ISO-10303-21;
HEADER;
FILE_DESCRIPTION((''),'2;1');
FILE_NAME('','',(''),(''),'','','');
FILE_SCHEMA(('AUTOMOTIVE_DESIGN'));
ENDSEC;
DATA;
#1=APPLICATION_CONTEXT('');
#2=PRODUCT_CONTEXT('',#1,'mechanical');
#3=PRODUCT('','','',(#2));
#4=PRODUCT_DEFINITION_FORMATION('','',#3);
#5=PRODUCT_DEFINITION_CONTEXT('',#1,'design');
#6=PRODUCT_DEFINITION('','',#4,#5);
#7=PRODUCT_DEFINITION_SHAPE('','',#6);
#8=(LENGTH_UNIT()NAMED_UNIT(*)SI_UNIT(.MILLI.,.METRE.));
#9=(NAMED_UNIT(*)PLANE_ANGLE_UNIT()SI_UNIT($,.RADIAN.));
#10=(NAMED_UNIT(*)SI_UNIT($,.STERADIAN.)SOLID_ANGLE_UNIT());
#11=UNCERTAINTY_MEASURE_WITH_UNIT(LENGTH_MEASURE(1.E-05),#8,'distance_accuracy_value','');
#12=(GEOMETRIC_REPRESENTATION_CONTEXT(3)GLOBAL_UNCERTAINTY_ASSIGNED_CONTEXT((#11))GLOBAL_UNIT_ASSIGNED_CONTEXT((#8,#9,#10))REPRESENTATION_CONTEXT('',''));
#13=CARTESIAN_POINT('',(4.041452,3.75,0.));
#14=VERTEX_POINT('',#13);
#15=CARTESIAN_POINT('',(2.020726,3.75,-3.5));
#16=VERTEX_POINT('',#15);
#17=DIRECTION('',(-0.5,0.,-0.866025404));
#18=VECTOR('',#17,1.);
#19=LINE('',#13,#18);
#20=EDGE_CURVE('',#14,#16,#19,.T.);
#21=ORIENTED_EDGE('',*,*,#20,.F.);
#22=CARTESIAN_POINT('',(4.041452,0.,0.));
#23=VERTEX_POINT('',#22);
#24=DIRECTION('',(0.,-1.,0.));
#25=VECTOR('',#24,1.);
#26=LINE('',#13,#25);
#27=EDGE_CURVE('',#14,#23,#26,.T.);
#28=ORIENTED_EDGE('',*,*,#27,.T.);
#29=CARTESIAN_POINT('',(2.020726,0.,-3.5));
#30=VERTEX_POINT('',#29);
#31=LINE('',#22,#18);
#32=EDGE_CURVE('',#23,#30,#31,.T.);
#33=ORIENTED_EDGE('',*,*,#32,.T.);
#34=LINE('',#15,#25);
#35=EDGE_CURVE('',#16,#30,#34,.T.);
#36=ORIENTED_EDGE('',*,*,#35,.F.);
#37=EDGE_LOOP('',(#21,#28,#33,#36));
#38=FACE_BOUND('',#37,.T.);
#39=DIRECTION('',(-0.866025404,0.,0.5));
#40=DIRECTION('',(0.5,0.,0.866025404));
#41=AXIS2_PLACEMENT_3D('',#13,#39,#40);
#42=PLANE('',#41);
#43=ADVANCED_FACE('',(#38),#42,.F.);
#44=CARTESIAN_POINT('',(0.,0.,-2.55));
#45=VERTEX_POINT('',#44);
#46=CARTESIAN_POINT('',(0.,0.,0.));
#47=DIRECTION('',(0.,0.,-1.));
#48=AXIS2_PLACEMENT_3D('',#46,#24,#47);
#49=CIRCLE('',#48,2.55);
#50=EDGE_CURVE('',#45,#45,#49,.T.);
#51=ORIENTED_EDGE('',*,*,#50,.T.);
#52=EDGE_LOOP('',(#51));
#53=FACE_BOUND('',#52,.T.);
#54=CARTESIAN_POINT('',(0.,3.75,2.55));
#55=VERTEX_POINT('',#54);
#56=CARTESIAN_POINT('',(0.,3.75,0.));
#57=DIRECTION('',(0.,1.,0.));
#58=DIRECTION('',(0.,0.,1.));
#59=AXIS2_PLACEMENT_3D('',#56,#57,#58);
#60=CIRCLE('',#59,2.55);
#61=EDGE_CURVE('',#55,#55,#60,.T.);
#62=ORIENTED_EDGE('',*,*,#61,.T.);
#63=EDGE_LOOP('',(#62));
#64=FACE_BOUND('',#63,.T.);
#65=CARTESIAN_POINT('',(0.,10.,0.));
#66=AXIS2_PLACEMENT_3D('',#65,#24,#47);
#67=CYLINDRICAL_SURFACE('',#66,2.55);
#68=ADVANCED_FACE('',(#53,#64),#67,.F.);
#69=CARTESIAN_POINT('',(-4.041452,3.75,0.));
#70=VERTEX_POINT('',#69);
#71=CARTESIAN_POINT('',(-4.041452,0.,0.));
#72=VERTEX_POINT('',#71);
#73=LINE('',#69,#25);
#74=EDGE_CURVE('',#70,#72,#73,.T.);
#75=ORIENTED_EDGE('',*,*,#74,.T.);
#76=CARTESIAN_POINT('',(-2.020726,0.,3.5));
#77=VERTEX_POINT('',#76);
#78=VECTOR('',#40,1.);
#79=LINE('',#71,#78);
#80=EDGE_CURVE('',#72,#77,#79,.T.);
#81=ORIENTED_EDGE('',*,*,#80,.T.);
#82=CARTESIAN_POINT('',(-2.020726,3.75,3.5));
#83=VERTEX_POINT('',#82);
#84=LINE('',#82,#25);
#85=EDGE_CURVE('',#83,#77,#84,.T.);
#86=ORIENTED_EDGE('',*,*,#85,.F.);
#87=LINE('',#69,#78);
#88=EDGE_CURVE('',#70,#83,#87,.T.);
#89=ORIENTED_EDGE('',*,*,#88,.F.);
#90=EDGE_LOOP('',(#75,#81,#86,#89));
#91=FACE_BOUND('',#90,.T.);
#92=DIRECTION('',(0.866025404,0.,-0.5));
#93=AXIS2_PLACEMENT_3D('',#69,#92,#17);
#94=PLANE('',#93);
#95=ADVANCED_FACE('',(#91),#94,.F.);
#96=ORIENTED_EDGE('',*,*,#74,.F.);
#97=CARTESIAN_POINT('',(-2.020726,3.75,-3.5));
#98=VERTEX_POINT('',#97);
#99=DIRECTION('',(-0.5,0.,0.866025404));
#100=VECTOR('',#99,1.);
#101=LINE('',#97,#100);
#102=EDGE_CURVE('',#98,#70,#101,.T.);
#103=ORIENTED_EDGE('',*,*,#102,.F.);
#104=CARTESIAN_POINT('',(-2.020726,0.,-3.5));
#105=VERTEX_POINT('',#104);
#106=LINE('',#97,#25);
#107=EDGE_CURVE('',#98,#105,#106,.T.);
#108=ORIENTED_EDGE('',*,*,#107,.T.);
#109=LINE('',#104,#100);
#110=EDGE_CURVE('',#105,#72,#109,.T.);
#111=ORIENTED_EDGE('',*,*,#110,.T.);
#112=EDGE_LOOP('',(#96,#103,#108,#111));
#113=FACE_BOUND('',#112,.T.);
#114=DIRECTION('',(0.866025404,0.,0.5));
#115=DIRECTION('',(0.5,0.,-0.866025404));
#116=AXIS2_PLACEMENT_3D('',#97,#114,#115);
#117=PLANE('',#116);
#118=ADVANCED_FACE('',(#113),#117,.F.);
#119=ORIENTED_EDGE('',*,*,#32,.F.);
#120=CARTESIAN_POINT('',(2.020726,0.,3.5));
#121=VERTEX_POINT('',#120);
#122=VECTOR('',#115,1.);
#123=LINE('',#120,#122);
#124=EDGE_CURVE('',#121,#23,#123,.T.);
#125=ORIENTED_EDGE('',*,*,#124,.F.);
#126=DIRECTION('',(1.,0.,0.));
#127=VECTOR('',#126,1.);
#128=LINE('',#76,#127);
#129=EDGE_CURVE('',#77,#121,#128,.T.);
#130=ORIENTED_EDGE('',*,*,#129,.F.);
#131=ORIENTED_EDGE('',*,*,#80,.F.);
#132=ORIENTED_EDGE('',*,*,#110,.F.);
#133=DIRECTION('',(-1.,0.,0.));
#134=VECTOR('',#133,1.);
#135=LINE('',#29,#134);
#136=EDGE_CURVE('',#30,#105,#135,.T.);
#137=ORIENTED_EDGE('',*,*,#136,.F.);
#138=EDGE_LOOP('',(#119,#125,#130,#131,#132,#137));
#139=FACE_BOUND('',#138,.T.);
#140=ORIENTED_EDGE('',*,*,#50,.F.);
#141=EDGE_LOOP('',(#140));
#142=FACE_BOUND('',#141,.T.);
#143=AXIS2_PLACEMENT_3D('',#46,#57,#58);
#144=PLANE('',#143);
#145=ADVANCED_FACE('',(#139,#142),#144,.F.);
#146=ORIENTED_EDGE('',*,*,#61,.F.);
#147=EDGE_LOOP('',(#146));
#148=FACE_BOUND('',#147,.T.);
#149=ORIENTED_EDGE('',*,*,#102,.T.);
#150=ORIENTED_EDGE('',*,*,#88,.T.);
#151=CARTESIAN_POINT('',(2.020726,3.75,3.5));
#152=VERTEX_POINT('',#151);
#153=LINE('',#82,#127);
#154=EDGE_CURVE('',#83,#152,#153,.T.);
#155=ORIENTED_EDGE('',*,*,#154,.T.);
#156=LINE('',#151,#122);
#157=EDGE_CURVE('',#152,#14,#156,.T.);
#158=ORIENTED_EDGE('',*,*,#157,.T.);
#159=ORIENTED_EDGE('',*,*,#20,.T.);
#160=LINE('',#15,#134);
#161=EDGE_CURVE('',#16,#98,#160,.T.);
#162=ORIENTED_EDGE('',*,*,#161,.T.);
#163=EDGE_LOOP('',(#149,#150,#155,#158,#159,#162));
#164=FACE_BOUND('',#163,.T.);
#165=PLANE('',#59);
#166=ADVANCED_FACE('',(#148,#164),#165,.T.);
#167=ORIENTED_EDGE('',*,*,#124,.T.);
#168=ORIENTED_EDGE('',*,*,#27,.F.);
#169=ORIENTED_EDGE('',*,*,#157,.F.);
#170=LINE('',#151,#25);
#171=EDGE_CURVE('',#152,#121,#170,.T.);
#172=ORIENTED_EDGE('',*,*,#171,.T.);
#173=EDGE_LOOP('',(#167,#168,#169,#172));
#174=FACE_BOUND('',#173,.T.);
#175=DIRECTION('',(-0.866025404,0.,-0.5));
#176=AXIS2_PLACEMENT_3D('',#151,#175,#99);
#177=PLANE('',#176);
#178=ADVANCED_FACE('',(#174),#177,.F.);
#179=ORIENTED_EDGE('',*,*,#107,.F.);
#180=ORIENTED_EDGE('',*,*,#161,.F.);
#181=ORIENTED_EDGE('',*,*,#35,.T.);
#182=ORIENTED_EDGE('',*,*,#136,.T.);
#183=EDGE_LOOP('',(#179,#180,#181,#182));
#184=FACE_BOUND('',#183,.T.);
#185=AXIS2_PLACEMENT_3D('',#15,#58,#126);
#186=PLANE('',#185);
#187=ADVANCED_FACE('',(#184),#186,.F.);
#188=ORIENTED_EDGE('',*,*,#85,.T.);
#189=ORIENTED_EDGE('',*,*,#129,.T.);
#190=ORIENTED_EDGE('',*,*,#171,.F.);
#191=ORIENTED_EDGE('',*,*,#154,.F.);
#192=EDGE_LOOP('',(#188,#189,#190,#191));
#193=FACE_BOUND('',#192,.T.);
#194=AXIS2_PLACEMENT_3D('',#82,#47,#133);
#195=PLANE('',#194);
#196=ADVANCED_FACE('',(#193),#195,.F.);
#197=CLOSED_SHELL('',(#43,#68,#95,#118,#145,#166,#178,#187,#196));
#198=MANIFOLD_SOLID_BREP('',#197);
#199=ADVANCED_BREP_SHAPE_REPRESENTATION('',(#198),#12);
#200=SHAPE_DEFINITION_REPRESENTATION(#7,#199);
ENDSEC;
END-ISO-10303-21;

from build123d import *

# Parameters (mm, degrees)
BOSS_EXTRUDE1_DEPTH = 3.75
SKETCH3_R           = 2.55
CUT_EXTRUDE1_DEPTH  = 10


with BuildPart() as part:
    # Sketch1 → Boss-Extrude1 (new body)
    with BuildSketch(Plane(origin=(0, 0, 0), x_dir=(1, 0, 0), z_dir=(0, 1, 0))):
        Polygon((4.041451884, 0), (2.020725942, 3.5), (-2.020725942, 3.5), (-4.041451884, 0), (-2.020725942, -3.5), (2.020725942, -3.5), align=None)
    extrude(amount=BOSS_EXTRUDE1_DEPTH)

    # Sketch3 → Cut-Extrude1 (cut)
    with BuildSketch(Plane.XZ):
        Circle(SKETCH3_R)
    extrude(amount=-CUT_EXTRUDE1_DEPTH, mode=Mode.SUBTRACT)


solid = part.part
